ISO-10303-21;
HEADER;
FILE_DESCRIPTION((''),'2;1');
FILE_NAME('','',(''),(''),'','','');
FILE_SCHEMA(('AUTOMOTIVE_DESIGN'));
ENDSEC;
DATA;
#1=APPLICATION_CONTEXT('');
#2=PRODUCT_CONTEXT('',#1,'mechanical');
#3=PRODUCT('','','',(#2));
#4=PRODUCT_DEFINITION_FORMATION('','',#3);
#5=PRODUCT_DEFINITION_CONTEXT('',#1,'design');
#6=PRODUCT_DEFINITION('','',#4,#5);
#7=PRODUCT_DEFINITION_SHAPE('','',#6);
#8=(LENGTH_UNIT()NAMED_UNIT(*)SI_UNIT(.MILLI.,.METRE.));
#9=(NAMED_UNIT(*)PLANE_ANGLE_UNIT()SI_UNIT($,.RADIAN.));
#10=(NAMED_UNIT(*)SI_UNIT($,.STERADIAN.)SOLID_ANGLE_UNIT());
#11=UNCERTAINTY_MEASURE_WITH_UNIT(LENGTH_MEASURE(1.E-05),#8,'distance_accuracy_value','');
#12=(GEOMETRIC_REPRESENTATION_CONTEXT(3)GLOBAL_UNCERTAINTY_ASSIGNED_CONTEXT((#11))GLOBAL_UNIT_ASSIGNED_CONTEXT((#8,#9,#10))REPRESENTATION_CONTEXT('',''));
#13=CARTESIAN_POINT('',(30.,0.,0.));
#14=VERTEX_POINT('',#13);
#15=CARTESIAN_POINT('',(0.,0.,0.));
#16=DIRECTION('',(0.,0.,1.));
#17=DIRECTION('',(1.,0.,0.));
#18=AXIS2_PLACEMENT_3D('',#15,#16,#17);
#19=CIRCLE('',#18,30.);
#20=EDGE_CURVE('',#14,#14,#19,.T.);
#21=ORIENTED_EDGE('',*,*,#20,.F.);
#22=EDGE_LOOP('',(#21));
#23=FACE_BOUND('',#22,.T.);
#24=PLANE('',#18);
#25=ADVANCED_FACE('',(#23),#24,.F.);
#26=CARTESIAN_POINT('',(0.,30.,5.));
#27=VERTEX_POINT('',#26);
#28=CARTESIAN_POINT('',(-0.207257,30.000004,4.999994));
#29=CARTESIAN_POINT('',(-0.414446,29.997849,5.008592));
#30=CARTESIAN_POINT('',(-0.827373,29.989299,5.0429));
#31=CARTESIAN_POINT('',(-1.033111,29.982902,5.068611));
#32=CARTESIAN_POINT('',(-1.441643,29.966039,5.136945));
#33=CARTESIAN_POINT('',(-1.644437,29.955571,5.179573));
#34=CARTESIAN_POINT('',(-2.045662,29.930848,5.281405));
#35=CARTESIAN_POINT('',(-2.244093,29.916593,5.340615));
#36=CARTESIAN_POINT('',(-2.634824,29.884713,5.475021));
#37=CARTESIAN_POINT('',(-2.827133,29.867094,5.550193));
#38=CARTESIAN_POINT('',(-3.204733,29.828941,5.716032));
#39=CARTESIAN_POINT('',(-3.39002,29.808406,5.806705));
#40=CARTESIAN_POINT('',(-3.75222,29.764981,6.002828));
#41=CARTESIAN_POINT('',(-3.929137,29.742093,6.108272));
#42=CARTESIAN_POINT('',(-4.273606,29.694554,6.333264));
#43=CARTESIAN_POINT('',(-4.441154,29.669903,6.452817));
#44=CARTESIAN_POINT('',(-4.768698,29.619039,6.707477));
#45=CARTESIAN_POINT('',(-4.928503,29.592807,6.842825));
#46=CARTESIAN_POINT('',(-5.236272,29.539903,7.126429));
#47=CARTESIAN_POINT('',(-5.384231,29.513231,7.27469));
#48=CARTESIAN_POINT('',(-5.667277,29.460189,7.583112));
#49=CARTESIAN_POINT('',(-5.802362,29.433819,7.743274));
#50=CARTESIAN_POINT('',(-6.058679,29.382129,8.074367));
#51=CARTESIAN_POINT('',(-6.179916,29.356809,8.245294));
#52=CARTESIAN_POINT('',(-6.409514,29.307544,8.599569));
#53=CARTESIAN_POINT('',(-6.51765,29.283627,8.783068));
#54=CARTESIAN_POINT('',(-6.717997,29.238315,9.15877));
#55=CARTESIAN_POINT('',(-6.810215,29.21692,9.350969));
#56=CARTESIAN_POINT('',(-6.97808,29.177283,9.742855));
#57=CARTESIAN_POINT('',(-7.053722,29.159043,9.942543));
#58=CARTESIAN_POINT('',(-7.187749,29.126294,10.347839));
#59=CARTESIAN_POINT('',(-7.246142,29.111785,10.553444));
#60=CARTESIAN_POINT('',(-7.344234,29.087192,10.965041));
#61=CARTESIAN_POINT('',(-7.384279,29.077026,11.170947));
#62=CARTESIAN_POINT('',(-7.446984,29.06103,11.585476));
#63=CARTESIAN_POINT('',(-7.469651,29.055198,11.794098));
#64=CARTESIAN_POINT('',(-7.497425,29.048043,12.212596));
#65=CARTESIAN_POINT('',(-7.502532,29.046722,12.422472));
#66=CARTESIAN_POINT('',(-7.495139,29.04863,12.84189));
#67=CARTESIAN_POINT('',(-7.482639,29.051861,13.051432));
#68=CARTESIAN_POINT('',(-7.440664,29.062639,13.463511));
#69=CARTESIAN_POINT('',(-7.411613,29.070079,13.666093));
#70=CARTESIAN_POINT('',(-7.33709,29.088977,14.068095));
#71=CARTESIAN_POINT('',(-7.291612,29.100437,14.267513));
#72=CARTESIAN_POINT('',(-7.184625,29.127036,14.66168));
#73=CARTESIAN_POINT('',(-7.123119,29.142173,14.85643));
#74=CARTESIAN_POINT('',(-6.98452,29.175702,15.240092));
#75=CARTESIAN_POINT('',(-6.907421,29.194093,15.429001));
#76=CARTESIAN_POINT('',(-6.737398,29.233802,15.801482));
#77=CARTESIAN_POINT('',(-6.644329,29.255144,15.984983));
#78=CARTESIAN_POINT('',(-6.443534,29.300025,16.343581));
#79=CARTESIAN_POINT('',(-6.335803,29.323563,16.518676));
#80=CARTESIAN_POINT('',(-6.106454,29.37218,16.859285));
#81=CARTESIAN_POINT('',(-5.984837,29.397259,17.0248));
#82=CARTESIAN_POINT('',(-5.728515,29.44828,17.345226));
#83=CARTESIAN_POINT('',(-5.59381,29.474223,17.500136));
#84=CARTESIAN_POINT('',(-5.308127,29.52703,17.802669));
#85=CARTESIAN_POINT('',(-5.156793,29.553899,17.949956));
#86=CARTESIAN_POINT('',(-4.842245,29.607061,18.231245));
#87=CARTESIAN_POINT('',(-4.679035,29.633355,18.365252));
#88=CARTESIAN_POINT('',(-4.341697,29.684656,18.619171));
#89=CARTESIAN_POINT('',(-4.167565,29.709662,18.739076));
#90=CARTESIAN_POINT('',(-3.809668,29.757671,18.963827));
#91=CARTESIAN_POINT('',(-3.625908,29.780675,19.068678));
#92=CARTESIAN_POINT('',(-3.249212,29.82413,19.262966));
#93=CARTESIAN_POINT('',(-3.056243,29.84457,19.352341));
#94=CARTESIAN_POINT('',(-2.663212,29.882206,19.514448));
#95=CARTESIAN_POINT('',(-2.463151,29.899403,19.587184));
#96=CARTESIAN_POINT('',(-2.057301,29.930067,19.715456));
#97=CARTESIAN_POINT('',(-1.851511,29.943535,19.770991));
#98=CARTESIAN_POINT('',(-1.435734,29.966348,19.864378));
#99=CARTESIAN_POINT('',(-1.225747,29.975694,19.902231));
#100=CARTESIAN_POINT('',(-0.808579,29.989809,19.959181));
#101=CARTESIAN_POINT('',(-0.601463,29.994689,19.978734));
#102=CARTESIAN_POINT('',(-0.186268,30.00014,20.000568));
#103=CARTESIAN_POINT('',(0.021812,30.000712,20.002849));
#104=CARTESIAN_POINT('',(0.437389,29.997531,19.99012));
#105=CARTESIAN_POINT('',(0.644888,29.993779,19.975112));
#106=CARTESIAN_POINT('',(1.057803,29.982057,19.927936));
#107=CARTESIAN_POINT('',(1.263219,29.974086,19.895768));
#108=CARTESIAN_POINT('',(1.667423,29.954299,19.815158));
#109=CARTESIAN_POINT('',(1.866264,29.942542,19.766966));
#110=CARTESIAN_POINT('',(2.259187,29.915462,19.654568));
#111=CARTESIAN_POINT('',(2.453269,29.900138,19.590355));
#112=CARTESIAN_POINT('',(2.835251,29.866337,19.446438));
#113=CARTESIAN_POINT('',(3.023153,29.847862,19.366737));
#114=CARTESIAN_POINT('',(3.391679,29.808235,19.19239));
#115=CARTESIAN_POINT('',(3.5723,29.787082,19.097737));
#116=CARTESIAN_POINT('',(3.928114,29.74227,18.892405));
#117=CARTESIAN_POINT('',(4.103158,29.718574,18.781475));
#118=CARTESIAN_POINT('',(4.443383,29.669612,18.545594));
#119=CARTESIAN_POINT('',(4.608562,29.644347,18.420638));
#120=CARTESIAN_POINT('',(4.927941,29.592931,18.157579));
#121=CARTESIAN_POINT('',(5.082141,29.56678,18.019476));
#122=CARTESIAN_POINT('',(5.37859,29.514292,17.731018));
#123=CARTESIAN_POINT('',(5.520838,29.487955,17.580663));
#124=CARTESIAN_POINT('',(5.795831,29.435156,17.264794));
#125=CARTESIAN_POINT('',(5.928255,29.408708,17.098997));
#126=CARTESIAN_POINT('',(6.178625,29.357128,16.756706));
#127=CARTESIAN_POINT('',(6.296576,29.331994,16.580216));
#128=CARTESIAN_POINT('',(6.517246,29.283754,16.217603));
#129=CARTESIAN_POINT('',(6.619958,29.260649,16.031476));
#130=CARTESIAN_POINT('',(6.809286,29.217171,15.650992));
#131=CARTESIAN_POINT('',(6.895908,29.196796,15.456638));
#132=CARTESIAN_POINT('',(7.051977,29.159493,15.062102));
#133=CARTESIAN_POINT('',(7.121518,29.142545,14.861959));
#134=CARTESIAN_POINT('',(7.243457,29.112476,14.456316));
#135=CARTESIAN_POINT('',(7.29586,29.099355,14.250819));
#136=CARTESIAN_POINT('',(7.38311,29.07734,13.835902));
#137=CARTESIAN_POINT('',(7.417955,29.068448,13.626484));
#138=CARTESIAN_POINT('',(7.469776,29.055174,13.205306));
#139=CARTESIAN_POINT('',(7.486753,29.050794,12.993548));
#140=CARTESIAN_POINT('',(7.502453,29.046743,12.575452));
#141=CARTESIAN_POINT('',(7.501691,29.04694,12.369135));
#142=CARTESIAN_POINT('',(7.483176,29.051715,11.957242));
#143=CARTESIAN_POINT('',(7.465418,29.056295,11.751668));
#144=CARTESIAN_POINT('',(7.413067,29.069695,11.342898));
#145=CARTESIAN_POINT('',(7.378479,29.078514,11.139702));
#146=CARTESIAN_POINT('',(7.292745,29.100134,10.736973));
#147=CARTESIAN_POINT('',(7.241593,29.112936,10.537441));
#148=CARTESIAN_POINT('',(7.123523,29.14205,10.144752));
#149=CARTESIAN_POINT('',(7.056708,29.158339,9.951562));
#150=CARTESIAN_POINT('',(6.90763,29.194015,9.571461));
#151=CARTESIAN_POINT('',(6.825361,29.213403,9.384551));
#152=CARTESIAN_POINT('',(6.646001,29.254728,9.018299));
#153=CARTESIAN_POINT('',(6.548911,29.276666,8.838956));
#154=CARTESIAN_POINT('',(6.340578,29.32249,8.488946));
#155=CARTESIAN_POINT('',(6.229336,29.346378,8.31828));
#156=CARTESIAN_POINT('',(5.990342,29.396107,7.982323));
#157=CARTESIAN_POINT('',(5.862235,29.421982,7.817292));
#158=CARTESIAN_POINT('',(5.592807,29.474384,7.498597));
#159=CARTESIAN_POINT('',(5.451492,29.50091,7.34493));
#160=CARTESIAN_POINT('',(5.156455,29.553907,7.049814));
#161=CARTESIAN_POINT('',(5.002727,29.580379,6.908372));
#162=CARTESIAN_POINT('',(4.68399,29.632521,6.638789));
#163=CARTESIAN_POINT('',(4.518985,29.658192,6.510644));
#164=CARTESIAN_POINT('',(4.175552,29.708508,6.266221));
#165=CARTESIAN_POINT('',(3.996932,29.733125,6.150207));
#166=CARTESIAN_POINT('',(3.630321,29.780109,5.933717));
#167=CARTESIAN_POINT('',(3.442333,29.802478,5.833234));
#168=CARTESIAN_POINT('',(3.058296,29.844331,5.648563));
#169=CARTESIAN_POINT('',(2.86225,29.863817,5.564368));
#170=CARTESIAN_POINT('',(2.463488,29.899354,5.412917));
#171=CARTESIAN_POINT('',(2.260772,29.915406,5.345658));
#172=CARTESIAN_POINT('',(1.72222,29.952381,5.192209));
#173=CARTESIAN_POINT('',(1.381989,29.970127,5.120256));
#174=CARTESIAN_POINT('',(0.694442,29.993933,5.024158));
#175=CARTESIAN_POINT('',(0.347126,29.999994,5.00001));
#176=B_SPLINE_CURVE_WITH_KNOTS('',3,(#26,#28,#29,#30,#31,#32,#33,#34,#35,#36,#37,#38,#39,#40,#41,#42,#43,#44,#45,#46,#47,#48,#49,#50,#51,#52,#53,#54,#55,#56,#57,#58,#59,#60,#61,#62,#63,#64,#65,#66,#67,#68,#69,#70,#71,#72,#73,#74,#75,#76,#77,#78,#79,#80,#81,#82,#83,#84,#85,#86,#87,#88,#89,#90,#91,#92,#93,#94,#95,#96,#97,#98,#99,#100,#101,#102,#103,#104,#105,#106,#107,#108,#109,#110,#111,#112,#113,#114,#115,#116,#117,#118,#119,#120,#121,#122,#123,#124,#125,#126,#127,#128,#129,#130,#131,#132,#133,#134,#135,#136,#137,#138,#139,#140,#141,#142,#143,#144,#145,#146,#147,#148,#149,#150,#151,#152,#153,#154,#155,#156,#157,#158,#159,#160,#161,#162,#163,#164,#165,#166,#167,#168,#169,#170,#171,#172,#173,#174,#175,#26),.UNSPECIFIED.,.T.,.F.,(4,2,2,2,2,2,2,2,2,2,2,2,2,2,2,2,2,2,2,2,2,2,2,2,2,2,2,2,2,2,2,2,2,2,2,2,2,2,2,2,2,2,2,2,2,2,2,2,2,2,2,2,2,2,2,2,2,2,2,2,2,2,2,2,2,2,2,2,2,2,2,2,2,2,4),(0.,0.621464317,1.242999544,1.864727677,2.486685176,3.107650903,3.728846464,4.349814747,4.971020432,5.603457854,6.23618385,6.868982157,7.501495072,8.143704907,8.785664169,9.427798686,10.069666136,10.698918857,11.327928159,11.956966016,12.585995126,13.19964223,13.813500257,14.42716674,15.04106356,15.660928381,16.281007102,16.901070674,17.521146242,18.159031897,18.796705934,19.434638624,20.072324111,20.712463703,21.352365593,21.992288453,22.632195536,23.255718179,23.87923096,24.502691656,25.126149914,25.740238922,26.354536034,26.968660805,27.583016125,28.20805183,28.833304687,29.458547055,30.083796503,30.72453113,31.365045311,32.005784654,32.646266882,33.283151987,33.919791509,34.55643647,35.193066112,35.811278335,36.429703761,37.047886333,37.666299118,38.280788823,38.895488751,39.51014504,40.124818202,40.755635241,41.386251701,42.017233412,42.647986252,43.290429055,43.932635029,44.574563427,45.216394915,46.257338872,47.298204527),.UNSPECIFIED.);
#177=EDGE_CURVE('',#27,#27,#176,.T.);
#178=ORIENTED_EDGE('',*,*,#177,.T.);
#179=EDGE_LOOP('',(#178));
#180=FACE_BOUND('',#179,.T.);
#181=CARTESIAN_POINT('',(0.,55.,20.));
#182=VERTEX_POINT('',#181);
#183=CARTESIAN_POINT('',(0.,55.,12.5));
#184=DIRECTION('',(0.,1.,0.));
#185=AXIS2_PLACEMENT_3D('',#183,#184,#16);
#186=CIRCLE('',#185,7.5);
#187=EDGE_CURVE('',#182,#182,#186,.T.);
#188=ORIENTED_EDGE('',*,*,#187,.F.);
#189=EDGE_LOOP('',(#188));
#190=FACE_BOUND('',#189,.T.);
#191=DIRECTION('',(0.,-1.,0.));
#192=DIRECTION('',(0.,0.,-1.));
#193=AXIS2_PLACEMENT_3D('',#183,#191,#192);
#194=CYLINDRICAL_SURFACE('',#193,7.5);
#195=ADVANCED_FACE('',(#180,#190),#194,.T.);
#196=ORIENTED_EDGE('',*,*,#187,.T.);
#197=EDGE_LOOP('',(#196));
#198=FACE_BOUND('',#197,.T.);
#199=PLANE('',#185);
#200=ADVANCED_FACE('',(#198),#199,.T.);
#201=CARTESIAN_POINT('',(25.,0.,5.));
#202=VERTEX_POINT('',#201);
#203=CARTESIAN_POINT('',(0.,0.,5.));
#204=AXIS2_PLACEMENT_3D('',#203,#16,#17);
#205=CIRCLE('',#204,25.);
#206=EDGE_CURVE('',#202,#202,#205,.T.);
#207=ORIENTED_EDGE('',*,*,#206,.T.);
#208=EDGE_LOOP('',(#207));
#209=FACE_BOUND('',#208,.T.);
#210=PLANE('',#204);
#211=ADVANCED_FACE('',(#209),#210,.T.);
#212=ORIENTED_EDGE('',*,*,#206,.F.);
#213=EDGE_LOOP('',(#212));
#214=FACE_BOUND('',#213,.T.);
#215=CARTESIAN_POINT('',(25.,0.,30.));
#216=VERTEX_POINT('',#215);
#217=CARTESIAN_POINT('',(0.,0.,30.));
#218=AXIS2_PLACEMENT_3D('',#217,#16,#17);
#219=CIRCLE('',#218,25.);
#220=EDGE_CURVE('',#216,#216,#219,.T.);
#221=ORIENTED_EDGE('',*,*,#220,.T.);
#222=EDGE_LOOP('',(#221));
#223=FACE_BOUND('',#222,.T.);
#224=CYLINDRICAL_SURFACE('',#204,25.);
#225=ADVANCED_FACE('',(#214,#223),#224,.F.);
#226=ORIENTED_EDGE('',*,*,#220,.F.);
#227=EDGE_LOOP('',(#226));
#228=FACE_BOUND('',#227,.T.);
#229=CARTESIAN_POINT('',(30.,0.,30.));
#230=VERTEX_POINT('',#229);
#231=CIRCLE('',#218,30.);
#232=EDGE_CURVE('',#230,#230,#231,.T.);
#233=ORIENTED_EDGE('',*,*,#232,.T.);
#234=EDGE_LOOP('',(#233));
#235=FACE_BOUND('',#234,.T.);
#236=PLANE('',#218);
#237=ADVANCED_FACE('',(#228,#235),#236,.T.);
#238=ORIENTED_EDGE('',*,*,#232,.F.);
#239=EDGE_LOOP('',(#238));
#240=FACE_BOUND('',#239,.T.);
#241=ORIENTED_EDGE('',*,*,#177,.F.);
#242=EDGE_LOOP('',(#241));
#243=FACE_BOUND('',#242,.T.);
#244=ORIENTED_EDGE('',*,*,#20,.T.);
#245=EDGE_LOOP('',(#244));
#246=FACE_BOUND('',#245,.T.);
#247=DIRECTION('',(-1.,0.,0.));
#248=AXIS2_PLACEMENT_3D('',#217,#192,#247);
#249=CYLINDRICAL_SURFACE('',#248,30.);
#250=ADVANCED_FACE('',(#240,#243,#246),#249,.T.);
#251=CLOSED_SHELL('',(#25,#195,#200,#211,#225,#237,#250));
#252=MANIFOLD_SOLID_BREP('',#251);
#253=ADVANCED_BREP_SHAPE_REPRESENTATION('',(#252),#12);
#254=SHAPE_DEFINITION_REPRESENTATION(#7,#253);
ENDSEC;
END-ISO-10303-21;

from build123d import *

# Parameters (mm, degrees)
SKETCH_1_R          = 30
EXTRUDE_1_DEPTH     = 30
SKETCH_3_R          = 7.5
EXTRUDE_2_DEPTH     = 55
SKETCH_4_R          = 25
CUT_EXTRUDE_2_DEPTH = 25


with BuildPart() as part:
    # 草图1 → 凸台-拉伸1 (new body)
    with BuildSketch(Plane.XY):
        Circle(SKETCH_1_R)
    extrude(amount=EXTRUDE_1_DEPTH)

    # 草图3 → 凸台-拉伸2 (add)
    with BuildSketch(Plane(origin=(0, 0, 0), x_dir=(1, 0, 0), z_dir=(0, 1, 0))):
        with Locations((0, -12.5)):
            Circle(SKETCH_3_R)
    extrude(amount=EXTRUDE_2_DEPTH)

    # 草图4 → 切除-拉伸2 (cut)
    with BuildSketch(Plane.XY.offset(30)):
        Circle(SKETCH_4_R)
    extrude(amount=-CUT_EXTRUDE_2_DEPTH, mode=Mode.SUBTRACT)


solid = part.part
